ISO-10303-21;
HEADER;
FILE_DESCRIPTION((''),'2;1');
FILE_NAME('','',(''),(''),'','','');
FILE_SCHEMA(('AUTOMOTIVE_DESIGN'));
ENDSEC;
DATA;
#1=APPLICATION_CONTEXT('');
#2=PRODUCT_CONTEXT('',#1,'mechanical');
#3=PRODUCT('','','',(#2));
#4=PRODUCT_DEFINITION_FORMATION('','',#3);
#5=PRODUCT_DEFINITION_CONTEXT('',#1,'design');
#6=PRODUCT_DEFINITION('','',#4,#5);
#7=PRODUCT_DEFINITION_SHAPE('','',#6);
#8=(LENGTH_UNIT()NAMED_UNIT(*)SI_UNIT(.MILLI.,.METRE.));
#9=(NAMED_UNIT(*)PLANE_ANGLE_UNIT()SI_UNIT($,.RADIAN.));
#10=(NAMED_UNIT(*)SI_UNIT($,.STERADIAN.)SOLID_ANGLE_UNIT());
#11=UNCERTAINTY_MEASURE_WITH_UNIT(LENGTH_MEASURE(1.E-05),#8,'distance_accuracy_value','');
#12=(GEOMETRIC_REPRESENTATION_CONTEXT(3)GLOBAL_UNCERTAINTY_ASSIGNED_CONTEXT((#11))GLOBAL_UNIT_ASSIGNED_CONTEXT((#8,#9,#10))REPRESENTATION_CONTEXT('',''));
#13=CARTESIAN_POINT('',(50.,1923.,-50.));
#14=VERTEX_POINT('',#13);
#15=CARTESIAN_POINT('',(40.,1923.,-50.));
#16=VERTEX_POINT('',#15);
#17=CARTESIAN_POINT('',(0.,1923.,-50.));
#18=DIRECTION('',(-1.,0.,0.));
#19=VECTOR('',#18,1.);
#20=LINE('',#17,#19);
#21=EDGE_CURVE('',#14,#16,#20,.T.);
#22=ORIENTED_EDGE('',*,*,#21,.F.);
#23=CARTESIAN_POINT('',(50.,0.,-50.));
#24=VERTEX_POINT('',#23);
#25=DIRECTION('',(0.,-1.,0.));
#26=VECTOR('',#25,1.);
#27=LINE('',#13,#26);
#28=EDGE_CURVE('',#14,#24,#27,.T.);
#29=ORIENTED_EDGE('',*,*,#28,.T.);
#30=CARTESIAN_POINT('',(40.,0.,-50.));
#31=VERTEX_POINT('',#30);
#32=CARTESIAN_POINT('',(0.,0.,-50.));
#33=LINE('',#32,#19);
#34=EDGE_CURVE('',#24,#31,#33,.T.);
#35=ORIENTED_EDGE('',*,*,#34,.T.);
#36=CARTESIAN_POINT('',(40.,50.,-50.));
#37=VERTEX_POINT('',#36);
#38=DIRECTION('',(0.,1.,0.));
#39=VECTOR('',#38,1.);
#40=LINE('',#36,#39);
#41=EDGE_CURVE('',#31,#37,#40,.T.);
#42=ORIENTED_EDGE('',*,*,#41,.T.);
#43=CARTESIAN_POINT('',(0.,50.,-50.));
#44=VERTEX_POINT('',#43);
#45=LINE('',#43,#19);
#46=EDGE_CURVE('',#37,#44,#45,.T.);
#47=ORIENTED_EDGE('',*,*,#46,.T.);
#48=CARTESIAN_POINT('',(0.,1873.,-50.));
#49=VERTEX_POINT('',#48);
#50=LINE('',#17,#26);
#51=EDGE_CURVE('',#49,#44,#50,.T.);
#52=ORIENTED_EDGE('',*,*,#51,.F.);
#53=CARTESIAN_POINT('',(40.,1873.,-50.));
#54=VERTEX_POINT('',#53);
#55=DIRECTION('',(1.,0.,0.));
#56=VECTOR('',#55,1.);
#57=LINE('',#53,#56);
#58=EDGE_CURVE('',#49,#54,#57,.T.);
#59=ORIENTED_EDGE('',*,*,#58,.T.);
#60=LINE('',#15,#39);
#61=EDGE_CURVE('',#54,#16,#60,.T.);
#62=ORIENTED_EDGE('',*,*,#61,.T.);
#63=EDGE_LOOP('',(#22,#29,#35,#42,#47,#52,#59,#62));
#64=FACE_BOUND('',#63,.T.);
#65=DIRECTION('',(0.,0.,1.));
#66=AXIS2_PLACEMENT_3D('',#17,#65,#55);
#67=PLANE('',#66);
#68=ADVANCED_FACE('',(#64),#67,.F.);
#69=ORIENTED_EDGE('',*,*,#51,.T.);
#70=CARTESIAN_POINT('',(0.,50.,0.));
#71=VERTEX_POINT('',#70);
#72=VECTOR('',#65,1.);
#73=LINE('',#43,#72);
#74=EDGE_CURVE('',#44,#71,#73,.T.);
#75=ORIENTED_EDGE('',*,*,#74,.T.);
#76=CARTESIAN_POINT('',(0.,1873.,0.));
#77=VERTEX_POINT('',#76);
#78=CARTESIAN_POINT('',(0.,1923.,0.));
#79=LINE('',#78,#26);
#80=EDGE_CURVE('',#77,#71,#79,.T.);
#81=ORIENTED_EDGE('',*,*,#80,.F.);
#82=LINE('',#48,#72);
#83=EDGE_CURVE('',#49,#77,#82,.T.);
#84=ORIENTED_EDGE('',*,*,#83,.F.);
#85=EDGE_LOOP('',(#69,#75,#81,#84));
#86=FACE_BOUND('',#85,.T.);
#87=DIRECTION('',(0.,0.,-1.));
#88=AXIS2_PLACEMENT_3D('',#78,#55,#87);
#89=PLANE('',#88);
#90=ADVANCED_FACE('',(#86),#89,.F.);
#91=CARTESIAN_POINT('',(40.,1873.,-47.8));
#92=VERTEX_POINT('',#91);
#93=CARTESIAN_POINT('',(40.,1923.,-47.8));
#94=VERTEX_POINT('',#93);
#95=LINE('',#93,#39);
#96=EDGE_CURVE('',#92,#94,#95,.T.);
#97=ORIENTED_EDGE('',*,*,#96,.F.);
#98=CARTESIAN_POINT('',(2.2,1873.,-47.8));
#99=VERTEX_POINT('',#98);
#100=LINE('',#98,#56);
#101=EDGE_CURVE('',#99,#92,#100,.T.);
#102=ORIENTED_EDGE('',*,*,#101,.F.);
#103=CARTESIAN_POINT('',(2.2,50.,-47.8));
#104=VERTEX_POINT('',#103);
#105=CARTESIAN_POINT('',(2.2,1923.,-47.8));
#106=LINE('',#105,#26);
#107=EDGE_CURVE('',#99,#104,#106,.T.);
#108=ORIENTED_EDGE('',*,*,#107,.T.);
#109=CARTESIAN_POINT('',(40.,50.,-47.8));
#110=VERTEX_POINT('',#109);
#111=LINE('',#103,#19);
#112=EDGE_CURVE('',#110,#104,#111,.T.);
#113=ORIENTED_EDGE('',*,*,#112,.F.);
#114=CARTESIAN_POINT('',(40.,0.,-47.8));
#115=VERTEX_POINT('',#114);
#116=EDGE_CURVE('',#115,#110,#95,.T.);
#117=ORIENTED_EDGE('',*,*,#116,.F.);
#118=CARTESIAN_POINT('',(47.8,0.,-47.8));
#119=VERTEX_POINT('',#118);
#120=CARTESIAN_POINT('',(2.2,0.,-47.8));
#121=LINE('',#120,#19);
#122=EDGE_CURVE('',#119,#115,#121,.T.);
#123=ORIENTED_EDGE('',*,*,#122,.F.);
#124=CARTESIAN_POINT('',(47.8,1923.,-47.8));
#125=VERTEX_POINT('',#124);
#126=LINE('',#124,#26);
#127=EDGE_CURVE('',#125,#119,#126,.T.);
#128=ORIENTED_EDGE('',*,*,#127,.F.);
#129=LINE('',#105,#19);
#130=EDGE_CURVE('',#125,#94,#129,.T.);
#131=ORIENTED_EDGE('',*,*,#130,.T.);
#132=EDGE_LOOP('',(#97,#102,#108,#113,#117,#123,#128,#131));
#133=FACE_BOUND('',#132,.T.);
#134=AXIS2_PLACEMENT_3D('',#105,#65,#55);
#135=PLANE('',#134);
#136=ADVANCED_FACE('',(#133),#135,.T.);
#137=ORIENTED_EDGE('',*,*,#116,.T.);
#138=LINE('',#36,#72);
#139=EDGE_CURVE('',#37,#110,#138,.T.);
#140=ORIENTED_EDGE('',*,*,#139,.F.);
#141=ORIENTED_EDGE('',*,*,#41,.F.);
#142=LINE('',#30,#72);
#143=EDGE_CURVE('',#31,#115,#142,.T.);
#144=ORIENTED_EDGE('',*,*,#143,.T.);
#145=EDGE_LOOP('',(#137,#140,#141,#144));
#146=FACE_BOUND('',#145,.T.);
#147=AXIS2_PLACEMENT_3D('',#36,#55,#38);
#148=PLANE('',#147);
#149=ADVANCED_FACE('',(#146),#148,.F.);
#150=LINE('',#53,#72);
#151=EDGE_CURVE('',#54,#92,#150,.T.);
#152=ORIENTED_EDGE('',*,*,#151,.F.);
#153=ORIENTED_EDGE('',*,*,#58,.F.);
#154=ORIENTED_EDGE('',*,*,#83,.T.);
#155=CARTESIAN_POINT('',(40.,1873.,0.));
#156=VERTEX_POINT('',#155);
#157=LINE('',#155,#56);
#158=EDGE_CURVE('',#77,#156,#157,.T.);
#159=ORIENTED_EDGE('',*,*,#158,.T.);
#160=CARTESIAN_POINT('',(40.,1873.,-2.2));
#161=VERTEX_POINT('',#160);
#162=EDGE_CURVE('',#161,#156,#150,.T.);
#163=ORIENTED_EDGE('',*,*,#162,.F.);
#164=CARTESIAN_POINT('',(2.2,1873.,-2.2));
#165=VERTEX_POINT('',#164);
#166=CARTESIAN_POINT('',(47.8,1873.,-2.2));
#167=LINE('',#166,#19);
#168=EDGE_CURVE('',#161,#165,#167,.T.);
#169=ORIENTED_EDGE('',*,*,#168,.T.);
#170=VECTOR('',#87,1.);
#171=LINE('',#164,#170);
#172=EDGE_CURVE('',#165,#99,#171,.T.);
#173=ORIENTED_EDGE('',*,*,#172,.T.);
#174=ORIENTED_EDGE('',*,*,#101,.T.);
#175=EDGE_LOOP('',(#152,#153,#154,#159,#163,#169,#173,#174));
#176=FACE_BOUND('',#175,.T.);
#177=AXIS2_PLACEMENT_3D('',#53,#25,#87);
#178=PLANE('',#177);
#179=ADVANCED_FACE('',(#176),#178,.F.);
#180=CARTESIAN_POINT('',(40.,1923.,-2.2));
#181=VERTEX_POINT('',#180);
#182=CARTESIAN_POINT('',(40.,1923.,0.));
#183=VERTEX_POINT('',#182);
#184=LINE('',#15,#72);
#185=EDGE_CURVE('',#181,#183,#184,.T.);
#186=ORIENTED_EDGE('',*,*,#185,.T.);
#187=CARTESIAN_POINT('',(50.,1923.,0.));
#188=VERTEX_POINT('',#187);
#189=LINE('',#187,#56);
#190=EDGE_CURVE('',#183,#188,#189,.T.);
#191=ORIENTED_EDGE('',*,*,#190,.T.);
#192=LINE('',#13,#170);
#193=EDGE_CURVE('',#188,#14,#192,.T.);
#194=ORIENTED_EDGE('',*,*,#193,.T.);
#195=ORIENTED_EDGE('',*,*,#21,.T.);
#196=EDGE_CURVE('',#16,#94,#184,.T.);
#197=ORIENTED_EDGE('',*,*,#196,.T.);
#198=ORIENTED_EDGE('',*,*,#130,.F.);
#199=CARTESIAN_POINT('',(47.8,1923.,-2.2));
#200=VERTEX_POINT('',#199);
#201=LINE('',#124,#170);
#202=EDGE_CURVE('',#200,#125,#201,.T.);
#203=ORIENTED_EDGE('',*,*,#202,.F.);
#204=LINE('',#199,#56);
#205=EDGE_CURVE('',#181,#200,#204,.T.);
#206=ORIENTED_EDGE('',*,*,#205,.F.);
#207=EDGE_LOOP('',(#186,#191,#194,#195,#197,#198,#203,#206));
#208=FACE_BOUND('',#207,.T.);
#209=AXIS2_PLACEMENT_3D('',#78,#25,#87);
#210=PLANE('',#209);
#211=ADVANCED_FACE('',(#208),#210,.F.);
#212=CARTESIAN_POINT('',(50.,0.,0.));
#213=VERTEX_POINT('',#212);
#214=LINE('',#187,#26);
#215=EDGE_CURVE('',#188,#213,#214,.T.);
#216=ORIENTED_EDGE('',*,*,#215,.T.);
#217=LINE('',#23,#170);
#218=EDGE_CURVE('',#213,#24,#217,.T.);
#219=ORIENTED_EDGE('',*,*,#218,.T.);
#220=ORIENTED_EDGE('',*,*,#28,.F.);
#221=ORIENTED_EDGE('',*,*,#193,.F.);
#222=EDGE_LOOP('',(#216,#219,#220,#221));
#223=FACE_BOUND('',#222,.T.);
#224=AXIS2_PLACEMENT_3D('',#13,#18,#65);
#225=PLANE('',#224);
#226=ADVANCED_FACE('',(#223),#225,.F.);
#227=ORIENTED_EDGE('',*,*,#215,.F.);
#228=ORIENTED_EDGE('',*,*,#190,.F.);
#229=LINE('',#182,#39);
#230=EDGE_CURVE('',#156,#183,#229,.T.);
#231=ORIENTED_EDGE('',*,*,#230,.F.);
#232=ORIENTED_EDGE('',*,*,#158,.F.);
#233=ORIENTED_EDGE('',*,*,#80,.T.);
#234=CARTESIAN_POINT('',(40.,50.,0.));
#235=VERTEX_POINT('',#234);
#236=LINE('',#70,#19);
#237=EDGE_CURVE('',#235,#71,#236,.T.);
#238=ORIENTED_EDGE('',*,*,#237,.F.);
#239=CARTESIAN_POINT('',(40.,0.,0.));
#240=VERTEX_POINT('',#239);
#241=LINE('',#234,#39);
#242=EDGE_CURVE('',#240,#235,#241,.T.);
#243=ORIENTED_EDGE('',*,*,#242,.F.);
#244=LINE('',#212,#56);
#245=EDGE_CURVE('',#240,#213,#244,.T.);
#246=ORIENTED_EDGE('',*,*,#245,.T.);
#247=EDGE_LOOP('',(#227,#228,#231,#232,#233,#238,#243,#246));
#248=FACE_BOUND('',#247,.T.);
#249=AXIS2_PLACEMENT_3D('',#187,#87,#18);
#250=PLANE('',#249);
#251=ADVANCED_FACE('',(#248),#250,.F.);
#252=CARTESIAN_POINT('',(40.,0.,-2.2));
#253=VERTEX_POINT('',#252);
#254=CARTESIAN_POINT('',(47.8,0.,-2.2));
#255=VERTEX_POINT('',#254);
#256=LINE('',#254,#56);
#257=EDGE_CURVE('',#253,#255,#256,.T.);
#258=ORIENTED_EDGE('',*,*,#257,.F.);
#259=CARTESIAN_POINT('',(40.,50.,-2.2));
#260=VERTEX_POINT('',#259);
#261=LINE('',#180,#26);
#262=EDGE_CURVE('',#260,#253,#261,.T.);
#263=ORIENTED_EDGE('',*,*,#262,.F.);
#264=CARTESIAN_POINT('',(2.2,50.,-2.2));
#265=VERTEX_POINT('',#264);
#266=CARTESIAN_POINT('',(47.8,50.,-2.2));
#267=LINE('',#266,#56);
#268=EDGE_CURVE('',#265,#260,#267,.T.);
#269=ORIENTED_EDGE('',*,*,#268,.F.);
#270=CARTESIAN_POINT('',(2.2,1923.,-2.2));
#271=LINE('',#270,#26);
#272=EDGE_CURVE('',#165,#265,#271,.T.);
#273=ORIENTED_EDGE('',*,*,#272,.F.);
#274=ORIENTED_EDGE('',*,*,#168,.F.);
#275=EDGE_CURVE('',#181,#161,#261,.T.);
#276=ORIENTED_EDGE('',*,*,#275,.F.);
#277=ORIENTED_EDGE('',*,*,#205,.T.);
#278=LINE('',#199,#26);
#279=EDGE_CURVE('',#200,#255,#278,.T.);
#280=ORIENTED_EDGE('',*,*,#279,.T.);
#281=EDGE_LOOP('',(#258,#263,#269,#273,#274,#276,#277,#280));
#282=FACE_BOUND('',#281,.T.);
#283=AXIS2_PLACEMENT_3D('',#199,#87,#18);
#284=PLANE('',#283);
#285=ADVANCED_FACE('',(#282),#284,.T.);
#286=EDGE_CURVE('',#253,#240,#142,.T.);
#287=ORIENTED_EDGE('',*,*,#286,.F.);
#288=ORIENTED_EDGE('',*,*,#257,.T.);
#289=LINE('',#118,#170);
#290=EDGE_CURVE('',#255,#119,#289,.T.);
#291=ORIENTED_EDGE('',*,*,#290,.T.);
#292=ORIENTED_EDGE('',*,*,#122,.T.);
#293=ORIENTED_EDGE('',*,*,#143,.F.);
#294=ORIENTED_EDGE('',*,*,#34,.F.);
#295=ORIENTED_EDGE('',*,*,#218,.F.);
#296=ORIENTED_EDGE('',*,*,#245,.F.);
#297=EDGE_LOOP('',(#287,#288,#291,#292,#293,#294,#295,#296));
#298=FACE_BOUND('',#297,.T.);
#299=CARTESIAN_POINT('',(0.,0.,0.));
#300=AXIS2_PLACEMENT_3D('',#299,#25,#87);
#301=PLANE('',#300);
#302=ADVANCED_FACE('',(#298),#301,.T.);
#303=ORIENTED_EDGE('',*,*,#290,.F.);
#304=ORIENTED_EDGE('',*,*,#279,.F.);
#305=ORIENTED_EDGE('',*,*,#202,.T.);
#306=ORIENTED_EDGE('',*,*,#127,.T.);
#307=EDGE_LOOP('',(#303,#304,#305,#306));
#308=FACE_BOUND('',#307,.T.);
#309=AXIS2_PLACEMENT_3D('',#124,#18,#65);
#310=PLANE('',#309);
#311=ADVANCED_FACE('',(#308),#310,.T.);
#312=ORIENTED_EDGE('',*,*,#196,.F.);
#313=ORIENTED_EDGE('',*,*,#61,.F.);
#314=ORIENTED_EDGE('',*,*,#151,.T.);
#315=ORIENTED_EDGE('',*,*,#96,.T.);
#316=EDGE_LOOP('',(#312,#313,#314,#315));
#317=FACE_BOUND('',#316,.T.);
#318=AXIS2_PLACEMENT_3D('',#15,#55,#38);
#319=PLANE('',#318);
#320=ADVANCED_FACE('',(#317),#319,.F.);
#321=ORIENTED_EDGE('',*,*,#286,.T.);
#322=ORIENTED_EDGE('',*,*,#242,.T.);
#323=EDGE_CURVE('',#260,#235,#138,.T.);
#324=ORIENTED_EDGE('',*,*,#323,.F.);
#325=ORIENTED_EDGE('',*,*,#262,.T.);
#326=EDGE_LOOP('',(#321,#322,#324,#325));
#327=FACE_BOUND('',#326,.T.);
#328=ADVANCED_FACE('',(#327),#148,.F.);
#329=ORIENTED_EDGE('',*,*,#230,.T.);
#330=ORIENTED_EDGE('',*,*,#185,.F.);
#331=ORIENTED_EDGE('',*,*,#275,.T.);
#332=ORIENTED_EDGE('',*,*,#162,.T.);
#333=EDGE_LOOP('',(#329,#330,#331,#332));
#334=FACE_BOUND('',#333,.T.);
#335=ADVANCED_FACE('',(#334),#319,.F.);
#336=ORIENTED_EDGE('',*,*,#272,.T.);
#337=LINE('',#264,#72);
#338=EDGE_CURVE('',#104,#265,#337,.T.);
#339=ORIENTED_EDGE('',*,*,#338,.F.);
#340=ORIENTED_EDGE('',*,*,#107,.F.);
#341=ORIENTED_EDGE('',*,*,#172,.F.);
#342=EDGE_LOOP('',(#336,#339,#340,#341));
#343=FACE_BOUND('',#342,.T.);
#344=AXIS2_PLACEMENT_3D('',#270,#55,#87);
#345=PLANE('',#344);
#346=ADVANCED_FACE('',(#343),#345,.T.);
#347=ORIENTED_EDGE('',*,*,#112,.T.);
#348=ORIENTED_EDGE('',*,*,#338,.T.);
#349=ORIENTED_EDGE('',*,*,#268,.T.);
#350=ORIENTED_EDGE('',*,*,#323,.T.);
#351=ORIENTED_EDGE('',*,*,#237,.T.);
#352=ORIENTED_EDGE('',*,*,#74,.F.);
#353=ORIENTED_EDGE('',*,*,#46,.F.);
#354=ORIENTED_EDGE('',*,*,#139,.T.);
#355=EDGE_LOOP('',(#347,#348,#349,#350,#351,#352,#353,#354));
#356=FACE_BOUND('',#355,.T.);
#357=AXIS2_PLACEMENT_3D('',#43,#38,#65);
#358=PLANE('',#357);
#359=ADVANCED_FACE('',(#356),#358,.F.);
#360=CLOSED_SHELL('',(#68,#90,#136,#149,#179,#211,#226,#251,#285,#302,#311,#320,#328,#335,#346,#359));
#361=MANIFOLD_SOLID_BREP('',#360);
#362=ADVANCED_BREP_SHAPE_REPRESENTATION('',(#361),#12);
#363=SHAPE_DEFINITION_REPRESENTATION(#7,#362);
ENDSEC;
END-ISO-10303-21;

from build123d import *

# Parameters (mm, degrees)
SKETCH1_W           = 50
SKETCH1_H           = 50
SKETCH1_W_2         = 45.6
SKETCH1_H_2         = 45.6
BOSS_EXTRUDE1_DEPTH = 1923
SKETCH2_W           = 40
SKETCH2_H           = 50
CUT_EXTRUDE2_DEPTH  = 50


with BuildPart() as part:
    # Sketch1 → Boss-Extrude1 (new body)
    with BuildSketch(Plane(origin=(0, 0, 0), x_dir=(1, 0, 0), z_dir=(0, 1, 0))):
        with Locations((25, 25)):
            Rectangle(SKETCH1_W, SKETCH1_H)
        with Locations((25, 25)):
            Rectangle(SKETCH1_W_2, SKETCH1_H_2, mode=Mode.SUBTRACT)
    extrude(amount=BOSS_EXTRUDE1_DEPTH)

    # Sketch2 → Cut-Extrude2 (cut)
    with BuildSketch(Plane.XY):
        with Locations((20, 25)):
            Rectangle(SKETCH2_W, SKETCH2_H)
        with Locations((20, 1898)):
            Rectangle(SKETCH2_W, SKETCH2_H)
    extrude(amount=-CUT_EXTRUDE2_DEPTH, mode=Mode.SUBTRACT)


solid = part.part
